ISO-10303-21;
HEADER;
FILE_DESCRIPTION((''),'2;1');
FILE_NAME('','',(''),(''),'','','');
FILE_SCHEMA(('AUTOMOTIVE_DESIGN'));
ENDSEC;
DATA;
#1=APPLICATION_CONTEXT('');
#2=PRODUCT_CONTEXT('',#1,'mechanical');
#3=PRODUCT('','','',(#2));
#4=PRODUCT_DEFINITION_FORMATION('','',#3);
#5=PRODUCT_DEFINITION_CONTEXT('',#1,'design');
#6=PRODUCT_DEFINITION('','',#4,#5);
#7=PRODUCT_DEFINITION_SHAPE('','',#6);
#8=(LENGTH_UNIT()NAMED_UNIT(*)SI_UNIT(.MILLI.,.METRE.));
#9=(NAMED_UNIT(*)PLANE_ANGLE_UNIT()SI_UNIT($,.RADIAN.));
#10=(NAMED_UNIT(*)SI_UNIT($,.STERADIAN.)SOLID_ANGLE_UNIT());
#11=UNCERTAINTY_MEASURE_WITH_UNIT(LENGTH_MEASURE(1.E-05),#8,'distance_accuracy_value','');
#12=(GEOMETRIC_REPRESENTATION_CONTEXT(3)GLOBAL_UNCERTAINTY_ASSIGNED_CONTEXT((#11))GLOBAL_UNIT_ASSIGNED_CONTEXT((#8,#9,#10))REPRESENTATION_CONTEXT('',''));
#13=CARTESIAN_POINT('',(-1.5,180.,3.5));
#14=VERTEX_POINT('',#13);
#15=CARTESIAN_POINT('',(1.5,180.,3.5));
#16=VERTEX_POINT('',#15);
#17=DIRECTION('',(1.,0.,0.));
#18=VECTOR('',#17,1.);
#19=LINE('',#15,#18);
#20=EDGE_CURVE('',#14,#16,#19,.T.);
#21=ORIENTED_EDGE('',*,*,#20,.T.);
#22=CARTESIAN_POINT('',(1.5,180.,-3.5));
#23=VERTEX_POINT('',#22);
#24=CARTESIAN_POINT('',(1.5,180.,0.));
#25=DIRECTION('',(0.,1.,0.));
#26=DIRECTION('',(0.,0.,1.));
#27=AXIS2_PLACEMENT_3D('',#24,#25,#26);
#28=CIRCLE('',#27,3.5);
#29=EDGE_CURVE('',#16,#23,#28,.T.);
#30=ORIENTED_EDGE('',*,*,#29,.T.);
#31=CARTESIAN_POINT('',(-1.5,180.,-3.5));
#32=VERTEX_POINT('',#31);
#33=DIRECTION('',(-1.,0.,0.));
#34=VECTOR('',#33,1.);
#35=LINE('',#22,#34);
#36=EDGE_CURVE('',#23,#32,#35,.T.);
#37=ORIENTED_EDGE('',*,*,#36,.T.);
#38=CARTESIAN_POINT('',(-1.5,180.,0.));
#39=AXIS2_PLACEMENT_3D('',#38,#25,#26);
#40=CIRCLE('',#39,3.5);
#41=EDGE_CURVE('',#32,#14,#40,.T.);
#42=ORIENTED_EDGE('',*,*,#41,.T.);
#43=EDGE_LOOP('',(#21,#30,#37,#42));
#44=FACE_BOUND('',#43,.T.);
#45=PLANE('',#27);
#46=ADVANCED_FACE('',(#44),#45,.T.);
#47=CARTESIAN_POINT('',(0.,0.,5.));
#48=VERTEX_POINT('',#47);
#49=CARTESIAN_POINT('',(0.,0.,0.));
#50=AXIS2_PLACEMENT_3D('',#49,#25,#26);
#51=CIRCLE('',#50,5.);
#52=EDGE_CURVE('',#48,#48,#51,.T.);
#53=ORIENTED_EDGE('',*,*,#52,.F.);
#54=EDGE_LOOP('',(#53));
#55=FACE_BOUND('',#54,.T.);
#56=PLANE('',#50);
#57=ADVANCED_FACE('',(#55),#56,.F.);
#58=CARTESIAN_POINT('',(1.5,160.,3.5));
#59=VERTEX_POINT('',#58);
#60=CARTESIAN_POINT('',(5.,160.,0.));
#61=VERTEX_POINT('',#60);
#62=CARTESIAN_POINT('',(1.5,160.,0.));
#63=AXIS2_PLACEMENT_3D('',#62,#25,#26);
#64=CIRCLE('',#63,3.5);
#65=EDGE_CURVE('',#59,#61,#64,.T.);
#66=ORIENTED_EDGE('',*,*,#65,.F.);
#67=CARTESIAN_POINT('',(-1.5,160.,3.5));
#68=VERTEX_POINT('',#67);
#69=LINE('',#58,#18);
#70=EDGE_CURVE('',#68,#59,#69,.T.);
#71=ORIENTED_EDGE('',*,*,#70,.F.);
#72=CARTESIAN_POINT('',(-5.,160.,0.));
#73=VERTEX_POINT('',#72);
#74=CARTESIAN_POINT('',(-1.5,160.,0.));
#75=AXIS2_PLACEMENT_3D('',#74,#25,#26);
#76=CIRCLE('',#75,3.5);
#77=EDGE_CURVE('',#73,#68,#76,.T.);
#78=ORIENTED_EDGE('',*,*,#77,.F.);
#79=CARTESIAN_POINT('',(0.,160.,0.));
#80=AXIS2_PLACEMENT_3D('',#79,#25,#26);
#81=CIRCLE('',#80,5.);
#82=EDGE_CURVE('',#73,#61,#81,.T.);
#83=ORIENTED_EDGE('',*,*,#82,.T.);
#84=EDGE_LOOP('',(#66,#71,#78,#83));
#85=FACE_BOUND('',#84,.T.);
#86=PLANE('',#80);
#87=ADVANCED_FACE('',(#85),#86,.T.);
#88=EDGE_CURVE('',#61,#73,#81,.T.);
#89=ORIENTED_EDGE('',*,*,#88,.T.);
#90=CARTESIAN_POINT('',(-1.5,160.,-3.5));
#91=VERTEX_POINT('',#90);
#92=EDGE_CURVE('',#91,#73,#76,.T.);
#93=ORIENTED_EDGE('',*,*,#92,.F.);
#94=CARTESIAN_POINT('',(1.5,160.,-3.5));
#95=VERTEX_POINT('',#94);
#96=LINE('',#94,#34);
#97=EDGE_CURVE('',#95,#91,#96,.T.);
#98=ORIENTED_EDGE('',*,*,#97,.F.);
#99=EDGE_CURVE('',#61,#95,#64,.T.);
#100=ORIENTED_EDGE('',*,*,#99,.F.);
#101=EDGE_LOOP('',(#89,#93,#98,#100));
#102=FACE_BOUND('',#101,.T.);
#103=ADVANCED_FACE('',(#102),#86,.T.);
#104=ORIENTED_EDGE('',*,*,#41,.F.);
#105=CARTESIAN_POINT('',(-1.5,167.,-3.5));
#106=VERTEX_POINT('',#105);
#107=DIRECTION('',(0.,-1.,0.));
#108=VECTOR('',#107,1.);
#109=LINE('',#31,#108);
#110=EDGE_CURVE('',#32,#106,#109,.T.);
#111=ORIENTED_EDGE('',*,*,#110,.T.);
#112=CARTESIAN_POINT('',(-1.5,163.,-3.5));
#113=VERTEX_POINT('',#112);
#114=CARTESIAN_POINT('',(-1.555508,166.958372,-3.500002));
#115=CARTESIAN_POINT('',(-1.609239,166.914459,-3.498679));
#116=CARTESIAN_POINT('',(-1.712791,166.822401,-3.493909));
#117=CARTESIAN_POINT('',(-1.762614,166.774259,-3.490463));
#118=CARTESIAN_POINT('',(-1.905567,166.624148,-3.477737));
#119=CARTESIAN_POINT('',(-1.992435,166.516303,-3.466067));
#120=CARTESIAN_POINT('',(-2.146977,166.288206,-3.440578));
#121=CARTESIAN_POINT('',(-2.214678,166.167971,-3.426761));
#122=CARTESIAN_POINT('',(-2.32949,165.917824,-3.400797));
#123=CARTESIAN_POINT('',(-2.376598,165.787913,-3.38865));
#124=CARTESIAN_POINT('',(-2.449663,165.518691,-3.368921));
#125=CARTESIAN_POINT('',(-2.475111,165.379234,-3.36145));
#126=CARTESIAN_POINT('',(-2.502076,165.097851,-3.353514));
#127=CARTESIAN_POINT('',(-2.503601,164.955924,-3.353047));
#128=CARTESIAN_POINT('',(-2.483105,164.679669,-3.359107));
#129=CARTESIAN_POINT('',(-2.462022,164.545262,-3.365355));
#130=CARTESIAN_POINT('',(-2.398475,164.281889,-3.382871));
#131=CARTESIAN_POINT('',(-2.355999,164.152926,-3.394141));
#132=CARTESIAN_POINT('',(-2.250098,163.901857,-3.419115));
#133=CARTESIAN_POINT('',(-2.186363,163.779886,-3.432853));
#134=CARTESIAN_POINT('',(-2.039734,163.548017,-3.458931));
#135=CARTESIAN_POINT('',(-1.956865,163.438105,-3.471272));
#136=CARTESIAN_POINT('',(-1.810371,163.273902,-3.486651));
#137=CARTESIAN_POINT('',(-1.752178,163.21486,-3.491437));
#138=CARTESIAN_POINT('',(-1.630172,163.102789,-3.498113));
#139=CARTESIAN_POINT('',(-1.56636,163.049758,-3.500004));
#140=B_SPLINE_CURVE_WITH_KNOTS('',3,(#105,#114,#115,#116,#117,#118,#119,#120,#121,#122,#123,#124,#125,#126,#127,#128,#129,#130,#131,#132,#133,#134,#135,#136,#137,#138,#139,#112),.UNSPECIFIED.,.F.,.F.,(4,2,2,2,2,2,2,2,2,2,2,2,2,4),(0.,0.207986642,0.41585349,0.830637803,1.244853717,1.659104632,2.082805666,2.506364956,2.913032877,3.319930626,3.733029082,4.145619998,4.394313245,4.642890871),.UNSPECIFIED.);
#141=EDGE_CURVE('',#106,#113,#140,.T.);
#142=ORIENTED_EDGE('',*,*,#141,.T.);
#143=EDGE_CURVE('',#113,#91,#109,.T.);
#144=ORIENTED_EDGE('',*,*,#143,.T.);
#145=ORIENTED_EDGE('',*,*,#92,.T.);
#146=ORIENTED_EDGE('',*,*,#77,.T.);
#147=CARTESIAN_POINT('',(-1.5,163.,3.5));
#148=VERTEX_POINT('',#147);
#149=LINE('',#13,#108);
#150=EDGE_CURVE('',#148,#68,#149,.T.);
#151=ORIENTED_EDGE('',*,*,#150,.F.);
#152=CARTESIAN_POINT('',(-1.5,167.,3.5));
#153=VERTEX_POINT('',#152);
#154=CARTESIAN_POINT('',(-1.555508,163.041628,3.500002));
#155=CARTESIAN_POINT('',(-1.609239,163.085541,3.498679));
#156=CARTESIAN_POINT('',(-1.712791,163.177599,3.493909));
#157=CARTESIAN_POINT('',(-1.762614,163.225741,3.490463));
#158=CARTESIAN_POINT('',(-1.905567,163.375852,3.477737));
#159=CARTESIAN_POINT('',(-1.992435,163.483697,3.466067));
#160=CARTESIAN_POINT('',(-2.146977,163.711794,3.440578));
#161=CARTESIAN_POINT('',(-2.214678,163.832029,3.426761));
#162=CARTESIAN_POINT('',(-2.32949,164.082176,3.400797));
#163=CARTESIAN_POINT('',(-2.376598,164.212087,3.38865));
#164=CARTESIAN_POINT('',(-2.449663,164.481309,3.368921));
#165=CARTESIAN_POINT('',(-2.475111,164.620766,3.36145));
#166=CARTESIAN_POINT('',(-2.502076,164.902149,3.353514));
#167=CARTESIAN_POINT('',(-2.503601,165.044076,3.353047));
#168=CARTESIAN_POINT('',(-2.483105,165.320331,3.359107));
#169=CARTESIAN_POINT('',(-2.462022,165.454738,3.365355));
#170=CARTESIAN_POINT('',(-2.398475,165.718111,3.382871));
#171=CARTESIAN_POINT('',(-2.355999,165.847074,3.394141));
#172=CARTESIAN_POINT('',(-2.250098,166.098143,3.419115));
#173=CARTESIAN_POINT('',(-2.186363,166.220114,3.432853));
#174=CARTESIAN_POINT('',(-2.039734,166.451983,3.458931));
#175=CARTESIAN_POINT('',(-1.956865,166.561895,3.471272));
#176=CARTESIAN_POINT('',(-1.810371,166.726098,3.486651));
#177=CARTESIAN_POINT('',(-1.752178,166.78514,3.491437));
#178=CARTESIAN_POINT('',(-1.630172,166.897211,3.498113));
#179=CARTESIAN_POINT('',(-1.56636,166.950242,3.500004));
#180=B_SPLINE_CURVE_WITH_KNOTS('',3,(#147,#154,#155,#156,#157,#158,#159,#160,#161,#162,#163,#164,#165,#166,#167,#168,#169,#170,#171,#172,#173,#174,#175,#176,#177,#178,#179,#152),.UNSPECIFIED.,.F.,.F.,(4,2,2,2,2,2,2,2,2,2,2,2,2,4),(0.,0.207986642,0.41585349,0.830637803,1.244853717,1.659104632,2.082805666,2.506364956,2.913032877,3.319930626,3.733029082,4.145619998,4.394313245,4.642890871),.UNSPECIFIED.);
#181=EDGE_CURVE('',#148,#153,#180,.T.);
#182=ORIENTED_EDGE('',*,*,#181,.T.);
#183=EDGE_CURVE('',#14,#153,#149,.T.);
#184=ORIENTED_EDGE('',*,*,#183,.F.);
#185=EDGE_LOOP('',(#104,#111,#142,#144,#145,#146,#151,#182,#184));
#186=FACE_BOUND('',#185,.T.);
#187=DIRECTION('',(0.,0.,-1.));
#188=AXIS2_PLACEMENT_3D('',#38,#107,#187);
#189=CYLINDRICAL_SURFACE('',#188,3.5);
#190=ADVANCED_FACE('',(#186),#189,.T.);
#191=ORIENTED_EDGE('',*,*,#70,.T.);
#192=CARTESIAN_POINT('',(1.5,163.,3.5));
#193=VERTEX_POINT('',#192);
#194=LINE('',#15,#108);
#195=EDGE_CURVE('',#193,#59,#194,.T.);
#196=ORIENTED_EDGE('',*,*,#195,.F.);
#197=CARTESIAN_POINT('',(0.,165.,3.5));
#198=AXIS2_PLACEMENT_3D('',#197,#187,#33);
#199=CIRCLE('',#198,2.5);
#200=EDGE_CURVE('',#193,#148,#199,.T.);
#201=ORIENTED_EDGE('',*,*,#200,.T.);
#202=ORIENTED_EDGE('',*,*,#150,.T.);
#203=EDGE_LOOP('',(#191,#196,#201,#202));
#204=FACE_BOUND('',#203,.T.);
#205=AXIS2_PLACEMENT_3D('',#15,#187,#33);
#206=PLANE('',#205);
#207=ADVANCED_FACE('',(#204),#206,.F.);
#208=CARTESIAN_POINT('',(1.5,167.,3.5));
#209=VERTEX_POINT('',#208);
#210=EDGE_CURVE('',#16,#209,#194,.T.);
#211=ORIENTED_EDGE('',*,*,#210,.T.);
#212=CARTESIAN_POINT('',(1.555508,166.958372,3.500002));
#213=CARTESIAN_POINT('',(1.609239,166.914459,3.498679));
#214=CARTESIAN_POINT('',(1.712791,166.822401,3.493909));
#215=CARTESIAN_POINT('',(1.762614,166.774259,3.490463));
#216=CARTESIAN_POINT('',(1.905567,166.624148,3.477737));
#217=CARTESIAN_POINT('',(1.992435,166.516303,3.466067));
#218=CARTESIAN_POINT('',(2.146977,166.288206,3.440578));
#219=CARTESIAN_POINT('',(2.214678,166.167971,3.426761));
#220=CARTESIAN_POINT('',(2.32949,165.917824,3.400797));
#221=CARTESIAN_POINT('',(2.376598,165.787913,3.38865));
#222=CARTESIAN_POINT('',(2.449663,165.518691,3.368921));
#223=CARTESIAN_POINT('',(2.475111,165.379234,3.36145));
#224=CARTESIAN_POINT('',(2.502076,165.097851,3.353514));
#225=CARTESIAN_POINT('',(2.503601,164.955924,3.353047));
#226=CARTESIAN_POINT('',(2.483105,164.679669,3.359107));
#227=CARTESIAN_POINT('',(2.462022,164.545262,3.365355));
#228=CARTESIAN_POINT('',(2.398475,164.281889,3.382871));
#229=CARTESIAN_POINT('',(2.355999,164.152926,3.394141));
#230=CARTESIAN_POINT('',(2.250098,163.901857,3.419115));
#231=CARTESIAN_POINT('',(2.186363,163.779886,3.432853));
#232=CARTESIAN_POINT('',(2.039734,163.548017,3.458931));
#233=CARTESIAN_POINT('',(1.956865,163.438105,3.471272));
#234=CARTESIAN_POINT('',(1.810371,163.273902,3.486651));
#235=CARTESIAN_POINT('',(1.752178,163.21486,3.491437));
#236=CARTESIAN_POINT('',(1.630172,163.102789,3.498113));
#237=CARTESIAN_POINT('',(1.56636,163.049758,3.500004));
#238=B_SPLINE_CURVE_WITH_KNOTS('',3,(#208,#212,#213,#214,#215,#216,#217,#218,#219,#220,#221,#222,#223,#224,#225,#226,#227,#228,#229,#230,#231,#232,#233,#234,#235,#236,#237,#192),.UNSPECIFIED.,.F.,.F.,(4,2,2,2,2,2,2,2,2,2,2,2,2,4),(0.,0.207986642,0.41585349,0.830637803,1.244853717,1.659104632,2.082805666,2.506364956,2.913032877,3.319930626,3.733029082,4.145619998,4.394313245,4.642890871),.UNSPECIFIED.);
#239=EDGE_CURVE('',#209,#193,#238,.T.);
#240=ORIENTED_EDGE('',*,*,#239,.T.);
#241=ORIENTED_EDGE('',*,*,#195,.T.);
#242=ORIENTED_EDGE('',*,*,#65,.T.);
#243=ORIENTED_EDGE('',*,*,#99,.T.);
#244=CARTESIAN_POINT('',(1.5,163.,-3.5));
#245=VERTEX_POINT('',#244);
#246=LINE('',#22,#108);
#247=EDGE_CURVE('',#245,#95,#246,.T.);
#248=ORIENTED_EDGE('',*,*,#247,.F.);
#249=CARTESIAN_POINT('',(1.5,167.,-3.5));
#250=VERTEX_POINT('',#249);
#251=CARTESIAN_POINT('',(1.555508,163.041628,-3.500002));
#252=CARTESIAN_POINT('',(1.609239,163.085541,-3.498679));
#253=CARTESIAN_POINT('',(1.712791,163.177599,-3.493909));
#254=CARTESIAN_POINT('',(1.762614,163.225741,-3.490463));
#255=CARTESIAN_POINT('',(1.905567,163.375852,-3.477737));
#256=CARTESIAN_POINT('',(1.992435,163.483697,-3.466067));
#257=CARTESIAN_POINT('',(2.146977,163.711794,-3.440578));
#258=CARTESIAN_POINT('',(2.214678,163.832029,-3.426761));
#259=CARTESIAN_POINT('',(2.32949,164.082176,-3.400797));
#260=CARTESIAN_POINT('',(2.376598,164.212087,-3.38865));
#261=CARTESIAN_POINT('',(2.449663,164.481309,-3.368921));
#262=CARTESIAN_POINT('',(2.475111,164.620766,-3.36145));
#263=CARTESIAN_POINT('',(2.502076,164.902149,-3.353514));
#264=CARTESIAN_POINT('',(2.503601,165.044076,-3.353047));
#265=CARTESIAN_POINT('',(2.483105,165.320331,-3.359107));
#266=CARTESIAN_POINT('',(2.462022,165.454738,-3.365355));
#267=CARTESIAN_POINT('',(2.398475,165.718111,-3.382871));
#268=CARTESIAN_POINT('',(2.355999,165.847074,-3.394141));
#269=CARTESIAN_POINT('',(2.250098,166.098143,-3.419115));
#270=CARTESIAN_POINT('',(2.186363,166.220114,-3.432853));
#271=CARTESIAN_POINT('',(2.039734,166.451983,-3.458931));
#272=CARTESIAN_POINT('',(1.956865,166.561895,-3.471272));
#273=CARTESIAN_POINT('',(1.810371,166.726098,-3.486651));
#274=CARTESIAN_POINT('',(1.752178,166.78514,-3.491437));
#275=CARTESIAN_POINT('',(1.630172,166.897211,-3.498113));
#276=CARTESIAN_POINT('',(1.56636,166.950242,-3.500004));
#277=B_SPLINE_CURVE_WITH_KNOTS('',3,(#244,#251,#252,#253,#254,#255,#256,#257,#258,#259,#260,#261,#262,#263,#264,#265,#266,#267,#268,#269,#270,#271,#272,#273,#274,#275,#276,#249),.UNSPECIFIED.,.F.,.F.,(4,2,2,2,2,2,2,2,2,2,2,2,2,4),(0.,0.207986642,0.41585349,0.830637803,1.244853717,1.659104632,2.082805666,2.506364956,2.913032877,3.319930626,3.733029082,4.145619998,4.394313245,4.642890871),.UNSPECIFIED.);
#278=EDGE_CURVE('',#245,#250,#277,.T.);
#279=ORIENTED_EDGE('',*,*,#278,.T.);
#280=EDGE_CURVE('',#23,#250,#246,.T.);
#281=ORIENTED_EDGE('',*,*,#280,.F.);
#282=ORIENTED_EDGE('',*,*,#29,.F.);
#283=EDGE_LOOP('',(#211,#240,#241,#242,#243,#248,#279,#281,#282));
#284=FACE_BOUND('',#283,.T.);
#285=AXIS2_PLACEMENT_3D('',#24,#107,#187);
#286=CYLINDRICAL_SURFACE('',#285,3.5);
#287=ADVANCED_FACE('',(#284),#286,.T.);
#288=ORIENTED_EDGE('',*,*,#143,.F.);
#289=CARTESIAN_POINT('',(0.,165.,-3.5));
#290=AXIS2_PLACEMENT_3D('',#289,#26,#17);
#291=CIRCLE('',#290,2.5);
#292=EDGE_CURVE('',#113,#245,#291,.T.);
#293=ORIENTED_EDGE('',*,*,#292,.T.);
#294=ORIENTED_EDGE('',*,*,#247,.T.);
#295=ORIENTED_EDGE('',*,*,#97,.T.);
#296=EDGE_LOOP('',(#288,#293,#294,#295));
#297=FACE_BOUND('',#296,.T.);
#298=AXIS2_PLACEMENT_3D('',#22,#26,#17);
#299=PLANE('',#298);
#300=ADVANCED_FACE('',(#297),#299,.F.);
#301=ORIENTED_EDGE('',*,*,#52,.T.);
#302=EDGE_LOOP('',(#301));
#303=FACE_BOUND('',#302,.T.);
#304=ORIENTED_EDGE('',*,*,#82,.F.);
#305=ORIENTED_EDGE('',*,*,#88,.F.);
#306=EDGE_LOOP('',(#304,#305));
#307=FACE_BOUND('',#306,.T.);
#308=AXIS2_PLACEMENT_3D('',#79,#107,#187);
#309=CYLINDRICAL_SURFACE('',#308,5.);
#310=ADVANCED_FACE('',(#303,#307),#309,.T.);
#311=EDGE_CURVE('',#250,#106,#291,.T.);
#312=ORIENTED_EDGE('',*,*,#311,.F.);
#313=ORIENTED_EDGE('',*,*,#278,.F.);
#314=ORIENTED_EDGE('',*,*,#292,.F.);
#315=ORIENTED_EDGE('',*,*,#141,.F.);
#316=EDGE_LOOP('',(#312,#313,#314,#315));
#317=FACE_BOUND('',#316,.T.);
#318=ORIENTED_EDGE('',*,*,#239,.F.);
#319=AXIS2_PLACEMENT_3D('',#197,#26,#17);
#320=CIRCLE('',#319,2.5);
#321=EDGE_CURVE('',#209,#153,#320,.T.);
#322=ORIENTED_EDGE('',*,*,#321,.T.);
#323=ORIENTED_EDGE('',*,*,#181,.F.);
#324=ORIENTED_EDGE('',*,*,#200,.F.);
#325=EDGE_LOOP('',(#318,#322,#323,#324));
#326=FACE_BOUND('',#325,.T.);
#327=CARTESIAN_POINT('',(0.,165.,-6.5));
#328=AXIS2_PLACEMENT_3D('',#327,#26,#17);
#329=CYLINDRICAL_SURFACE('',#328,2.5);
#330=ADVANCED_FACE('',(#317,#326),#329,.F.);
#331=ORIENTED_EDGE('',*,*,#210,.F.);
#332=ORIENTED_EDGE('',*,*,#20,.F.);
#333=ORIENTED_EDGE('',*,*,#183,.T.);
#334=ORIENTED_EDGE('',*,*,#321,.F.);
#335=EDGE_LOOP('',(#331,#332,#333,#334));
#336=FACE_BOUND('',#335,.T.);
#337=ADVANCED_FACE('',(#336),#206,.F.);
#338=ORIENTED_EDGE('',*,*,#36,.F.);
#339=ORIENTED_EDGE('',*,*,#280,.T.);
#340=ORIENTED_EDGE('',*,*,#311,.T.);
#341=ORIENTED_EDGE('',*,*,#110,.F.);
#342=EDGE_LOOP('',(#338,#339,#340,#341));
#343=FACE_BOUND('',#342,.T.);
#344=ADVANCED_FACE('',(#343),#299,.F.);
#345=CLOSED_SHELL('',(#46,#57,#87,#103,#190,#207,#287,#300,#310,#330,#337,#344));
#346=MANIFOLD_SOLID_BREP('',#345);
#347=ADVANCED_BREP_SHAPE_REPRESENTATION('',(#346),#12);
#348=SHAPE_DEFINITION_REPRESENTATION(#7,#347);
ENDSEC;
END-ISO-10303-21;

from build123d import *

# Parameters (mm, degrees)
SKETCH1_R           = 5
BOSS_EXTRUDE1_DEPTH = 160
BOSS_EXTRUDE2_DEPTH = 20
SKETCH3_R           = 2.5
CUT_EXTRUDE1_DEPTH  = 10


with BuildPart() as part:
    # Sketch1 → Boss-Extrude1 (new body)
    with BuildSketch(Plane(origin=(0, 0, 0), x_dir=(1, 0, 0), z_dir=(0, 1, 0))):
        with Locations(Location((0, 0, 0), (0, 0, 270))):
            Circle(SKETCH1_R)
    extrude(amount=BOSS_EXTRUDE1_DEPTH)

    # Sketch2 → Boss-Extrude2 (add)
    with BuildSketch(Plane(origin=(0, 160, 0), x_dir=(1, 0, 0), z_dir=(0, 1, 0))):
        with BuildLine():
            Line((1.5, -3.5), (-1.5, -3.5))
            ThreePointArc((-1.5, -3.5), (-5, 0), (-1.5, 3.5))
            Line((-1.5, 3.5), (1.5, 3.5))
            ThreePointArc((1.5, 3.5), (5, 0), (1.5, -3.5))
        make_face()
    extrude(amount=BOSS_EXTRUDE2_DEPTH)

    # Sketch3 → Cut-Extrude1 (cut)
    with BuildSketch(Plane.XY.offset(3.5)):
        with Locations(Location((0, 165, 0), (0, 0, 53.130102354))):
            Circle(SKETCH3_R)
    extrude(amount=-CUT_EXTRUDE1_DEPTH, mode=Mode.SUBTRACT)


solid = part.part
